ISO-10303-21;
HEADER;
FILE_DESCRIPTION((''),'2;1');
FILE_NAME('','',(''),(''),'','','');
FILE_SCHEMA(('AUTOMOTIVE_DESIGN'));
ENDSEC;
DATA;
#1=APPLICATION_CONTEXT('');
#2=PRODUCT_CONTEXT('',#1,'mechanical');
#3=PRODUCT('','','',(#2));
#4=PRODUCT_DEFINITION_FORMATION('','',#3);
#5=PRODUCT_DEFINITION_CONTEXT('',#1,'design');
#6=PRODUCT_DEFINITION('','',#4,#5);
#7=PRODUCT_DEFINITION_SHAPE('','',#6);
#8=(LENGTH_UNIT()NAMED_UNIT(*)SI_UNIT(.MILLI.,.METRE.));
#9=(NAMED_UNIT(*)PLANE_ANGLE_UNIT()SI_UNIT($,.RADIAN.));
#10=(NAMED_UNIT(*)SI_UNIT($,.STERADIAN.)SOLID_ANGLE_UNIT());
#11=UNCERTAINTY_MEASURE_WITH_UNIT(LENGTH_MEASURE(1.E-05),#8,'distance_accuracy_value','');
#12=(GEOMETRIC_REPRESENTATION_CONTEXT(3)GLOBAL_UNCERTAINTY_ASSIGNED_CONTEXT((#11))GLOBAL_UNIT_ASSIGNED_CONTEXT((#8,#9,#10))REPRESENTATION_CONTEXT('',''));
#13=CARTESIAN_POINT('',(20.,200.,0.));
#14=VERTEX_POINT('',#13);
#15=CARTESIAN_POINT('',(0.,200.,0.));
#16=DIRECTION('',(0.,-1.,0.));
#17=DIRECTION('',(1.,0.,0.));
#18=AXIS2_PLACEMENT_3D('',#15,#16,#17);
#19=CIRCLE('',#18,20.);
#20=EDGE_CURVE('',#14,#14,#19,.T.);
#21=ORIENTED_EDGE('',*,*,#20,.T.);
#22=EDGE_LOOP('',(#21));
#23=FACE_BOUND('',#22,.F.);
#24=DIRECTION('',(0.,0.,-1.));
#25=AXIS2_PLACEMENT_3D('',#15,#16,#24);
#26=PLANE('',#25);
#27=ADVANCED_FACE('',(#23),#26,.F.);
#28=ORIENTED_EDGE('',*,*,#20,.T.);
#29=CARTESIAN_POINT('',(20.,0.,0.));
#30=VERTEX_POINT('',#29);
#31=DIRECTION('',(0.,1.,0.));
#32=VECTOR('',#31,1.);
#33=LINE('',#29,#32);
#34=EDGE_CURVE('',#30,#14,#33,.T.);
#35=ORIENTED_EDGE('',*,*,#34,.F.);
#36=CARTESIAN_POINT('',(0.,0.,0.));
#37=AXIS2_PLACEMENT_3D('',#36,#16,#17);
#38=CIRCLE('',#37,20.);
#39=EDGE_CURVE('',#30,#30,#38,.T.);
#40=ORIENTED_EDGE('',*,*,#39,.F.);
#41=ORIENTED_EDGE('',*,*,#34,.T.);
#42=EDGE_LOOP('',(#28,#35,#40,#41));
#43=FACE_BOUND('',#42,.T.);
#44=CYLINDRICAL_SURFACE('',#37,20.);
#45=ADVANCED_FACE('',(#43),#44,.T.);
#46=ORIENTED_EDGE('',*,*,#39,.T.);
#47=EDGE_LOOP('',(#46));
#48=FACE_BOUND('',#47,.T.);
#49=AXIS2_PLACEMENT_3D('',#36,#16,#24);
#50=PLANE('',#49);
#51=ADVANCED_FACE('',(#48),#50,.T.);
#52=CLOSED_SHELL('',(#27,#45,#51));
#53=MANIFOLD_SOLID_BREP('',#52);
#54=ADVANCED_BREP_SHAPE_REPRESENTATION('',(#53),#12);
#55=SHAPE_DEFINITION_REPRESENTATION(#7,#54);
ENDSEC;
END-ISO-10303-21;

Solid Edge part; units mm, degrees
sketch "Sketch1" plane through (0, 0, 0) normal (0, -1, 0) x (1, 0, 0)
  circle A0 centre (0, 0) radius 20
extrude "Protrusion1" add sketch "Sketch1" against normal blind 200
